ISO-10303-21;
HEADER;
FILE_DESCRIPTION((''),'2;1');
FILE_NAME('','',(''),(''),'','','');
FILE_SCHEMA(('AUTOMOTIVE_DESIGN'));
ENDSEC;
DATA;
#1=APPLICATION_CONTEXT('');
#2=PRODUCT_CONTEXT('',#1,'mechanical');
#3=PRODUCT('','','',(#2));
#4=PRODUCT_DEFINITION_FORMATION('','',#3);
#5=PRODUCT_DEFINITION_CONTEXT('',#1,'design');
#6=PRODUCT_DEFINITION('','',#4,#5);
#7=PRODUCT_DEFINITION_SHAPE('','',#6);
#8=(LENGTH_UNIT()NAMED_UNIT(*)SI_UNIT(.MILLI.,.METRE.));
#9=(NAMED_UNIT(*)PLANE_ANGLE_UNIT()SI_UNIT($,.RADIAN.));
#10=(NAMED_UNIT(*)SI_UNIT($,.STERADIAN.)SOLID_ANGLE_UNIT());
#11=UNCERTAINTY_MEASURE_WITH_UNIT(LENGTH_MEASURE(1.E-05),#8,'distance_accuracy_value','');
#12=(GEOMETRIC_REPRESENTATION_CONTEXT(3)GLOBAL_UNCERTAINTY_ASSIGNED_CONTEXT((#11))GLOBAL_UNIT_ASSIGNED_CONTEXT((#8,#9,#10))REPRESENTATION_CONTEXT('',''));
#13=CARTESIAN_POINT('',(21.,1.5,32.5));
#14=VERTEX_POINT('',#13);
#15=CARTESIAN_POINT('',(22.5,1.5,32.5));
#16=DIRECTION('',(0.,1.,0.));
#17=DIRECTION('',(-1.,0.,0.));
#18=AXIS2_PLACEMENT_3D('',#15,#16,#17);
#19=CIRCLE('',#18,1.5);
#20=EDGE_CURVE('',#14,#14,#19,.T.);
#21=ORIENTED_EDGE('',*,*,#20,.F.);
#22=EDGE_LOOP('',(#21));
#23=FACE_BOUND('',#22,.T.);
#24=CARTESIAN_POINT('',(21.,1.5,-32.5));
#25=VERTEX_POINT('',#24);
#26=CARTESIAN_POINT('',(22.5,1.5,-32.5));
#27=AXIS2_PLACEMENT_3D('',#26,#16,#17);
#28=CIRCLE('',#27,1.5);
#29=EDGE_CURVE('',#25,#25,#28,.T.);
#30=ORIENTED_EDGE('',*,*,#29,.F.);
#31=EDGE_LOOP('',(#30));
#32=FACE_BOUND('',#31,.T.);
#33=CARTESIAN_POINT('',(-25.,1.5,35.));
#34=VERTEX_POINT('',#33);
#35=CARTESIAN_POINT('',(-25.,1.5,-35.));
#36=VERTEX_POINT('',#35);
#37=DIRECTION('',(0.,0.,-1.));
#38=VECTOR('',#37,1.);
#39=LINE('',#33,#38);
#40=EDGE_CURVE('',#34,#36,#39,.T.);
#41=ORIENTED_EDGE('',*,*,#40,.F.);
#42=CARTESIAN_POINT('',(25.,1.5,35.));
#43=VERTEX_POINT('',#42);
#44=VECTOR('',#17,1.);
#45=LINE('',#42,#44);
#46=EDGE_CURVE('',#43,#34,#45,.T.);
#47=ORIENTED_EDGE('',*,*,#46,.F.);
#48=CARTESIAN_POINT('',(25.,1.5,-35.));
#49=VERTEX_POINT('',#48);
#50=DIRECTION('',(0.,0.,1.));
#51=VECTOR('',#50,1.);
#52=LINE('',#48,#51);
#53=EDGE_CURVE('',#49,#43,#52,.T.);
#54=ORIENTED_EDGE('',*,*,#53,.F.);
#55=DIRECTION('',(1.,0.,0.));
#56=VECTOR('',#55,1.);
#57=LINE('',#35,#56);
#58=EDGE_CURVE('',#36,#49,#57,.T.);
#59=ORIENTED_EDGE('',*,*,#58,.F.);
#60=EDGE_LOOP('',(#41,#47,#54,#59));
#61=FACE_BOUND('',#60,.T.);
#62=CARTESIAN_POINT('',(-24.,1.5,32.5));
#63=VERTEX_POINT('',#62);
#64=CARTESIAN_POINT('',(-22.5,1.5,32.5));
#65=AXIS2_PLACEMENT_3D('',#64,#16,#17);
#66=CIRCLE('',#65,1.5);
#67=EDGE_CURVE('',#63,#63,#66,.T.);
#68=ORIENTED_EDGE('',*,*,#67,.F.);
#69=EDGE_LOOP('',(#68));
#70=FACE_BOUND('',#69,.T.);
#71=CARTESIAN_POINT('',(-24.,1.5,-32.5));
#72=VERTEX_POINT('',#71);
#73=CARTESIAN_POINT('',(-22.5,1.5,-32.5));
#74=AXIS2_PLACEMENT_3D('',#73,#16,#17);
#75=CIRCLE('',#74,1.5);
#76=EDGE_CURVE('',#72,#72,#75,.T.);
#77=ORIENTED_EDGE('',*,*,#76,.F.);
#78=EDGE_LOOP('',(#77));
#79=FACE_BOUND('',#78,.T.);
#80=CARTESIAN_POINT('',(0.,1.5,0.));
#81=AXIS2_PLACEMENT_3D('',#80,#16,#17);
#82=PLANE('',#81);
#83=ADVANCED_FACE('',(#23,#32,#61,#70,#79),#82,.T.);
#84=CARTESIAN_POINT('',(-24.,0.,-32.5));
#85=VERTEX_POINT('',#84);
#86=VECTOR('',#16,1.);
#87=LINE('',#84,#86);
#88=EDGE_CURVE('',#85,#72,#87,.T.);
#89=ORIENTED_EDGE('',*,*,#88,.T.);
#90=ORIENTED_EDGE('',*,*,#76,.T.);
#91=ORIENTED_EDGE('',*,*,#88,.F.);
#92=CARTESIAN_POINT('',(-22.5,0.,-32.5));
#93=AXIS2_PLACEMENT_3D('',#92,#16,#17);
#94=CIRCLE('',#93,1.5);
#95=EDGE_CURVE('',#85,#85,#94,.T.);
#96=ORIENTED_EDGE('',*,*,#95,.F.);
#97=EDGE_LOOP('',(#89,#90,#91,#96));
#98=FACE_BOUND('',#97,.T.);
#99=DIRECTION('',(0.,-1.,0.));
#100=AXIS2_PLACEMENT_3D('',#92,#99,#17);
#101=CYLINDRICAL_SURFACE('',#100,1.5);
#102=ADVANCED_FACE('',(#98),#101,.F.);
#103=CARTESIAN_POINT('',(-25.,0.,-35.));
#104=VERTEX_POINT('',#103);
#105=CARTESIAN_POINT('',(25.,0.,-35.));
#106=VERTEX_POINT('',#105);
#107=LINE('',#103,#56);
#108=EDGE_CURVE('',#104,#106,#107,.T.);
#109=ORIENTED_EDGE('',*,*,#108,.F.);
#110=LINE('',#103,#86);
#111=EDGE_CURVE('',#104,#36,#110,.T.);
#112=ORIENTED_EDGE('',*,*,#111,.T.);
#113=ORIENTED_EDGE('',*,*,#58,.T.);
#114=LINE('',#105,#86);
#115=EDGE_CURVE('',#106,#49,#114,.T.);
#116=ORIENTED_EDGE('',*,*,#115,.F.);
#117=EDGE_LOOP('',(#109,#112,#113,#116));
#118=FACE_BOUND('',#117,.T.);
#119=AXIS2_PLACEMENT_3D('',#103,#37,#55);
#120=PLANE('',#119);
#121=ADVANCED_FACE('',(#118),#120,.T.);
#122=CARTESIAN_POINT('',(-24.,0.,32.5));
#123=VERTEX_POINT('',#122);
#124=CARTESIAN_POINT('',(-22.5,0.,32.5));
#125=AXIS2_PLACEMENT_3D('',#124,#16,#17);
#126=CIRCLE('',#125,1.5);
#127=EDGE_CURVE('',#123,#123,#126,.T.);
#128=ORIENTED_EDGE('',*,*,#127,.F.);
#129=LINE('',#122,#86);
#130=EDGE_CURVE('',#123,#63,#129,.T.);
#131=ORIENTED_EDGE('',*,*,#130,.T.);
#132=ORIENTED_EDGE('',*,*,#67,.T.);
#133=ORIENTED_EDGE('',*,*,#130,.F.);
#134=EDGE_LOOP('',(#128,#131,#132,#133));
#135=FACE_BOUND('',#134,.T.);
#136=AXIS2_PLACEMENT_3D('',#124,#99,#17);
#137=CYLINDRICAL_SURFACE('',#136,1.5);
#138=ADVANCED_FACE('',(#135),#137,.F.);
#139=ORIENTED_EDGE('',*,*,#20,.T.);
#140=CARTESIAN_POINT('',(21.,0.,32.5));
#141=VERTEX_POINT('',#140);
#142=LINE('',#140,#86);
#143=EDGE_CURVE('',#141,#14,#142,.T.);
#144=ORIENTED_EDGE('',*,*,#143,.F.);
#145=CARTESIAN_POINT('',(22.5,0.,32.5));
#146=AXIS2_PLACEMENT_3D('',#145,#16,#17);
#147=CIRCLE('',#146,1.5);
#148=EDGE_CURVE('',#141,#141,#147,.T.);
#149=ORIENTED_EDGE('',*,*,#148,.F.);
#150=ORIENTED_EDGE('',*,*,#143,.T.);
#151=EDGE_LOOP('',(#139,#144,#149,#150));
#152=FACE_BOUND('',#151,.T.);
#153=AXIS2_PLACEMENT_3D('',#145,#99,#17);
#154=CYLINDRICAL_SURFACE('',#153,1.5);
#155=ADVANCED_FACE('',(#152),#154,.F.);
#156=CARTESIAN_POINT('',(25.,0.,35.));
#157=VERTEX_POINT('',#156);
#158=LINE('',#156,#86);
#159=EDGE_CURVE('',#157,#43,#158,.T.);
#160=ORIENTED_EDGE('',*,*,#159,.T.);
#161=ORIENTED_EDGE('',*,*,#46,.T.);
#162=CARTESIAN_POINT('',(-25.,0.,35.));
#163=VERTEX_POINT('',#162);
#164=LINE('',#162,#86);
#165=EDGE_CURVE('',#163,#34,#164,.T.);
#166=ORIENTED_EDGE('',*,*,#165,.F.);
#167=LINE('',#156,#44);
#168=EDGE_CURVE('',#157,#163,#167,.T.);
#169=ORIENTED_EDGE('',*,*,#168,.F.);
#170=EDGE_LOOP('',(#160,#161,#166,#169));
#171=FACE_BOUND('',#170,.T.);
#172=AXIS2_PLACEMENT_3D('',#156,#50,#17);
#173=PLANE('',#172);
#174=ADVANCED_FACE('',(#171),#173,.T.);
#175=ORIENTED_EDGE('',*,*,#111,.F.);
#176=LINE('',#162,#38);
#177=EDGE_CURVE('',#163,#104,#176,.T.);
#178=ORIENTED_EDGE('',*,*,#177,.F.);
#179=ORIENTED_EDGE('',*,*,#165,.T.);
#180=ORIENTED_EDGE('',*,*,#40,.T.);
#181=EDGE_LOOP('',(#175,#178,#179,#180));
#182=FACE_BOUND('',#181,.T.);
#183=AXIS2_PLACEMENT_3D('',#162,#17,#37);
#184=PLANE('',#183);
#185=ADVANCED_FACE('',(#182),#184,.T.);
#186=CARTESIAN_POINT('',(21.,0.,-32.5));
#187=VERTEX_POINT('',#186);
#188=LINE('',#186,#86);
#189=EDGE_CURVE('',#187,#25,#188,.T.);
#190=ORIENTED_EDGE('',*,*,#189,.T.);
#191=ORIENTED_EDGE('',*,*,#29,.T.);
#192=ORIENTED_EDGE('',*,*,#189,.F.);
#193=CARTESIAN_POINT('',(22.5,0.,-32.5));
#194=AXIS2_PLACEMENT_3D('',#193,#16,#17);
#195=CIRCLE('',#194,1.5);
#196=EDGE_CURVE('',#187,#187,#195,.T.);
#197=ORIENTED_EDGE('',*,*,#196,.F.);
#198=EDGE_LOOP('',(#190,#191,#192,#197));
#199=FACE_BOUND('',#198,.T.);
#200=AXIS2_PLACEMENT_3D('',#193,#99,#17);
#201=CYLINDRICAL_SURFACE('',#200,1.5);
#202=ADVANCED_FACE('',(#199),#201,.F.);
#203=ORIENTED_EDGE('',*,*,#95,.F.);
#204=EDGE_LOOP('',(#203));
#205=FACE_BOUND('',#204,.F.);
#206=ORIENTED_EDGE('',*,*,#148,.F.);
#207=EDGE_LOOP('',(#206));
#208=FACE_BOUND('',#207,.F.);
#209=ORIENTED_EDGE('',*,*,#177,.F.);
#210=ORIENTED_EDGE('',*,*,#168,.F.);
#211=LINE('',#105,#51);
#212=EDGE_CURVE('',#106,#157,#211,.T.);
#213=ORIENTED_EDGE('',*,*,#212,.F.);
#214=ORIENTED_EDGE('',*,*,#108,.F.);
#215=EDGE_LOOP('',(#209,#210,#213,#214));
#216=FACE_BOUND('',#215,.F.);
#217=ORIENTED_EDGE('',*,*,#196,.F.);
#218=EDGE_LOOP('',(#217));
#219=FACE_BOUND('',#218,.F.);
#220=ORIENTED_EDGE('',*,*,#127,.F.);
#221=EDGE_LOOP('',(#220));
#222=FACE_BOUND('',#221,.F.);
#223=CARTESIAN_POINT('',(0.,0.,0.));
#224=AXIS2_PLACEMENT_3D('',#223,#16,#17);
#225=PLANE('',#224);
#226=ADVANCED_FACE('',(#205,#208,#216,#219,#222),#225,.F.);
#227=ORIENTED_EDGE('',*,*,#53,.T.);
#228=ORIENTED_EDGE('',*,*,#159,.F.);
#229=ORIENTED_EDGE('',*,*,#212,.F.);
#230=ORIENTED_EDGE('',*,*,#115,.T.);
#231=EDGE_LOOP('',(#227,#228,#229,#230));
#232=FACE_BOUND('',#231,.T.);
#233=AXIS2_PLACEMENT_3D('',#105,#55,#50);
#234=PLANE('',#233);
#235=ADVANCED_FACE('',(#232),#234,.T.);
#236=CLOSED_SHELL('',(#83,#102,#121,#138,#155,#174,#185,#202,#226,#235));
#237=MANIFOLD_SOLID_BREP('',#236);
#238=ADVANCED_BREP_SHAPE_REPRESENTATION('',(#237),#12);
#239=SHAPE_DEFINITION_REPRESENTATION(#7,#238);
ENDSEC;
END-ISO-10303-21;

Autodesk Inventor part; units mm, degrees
ref_plane "YZ Plane" through (0, 0, 0) normal (1, 0, 0) x (0, 1, 0)
ref_plane "XZ Plane" through (0, 0, 0) normal (0, 1, 0) x (-1, 0, 0)
ref_plane "XY Plane" through (0, 0, 0) normal (0, 0, 1) x (1, 0, 0)
sketch "Эскиз1" plane through (0, 0, 0) normal (0, 1, 0) x (-1, 0, 0)
  line L0 (-25, 35) -> (25, 35)
  line L1 (25, 35) -> (25, -35)
  line L2 (25, -35) -> (-25, -35)
  line L3 (-25, -35) -> (-25, 35)
  circle A0 centre (22.5, 32.5) radius 1.5
  circle A1 centre (22.5, -32.5) radius 1.5
  circle A2 centre (-22.5, -32.5) radius 1.5
  circle A3 centre (-22.5, 32.5) radius 1.5
  point P0 (0, 0)
  dimension "d0" = 50
  dimension "d1" = 70
  dimension "d4" = 3
  dimension "d5" = 3
  dimension "d6" = 3
  dimension "d7" = 3
extrude "Выдавливание1" add sketch "Эскиз1" along normal blind 1.5
properties part number "КВ33.044.1002 - Плата распределительная" material "Серебро"
